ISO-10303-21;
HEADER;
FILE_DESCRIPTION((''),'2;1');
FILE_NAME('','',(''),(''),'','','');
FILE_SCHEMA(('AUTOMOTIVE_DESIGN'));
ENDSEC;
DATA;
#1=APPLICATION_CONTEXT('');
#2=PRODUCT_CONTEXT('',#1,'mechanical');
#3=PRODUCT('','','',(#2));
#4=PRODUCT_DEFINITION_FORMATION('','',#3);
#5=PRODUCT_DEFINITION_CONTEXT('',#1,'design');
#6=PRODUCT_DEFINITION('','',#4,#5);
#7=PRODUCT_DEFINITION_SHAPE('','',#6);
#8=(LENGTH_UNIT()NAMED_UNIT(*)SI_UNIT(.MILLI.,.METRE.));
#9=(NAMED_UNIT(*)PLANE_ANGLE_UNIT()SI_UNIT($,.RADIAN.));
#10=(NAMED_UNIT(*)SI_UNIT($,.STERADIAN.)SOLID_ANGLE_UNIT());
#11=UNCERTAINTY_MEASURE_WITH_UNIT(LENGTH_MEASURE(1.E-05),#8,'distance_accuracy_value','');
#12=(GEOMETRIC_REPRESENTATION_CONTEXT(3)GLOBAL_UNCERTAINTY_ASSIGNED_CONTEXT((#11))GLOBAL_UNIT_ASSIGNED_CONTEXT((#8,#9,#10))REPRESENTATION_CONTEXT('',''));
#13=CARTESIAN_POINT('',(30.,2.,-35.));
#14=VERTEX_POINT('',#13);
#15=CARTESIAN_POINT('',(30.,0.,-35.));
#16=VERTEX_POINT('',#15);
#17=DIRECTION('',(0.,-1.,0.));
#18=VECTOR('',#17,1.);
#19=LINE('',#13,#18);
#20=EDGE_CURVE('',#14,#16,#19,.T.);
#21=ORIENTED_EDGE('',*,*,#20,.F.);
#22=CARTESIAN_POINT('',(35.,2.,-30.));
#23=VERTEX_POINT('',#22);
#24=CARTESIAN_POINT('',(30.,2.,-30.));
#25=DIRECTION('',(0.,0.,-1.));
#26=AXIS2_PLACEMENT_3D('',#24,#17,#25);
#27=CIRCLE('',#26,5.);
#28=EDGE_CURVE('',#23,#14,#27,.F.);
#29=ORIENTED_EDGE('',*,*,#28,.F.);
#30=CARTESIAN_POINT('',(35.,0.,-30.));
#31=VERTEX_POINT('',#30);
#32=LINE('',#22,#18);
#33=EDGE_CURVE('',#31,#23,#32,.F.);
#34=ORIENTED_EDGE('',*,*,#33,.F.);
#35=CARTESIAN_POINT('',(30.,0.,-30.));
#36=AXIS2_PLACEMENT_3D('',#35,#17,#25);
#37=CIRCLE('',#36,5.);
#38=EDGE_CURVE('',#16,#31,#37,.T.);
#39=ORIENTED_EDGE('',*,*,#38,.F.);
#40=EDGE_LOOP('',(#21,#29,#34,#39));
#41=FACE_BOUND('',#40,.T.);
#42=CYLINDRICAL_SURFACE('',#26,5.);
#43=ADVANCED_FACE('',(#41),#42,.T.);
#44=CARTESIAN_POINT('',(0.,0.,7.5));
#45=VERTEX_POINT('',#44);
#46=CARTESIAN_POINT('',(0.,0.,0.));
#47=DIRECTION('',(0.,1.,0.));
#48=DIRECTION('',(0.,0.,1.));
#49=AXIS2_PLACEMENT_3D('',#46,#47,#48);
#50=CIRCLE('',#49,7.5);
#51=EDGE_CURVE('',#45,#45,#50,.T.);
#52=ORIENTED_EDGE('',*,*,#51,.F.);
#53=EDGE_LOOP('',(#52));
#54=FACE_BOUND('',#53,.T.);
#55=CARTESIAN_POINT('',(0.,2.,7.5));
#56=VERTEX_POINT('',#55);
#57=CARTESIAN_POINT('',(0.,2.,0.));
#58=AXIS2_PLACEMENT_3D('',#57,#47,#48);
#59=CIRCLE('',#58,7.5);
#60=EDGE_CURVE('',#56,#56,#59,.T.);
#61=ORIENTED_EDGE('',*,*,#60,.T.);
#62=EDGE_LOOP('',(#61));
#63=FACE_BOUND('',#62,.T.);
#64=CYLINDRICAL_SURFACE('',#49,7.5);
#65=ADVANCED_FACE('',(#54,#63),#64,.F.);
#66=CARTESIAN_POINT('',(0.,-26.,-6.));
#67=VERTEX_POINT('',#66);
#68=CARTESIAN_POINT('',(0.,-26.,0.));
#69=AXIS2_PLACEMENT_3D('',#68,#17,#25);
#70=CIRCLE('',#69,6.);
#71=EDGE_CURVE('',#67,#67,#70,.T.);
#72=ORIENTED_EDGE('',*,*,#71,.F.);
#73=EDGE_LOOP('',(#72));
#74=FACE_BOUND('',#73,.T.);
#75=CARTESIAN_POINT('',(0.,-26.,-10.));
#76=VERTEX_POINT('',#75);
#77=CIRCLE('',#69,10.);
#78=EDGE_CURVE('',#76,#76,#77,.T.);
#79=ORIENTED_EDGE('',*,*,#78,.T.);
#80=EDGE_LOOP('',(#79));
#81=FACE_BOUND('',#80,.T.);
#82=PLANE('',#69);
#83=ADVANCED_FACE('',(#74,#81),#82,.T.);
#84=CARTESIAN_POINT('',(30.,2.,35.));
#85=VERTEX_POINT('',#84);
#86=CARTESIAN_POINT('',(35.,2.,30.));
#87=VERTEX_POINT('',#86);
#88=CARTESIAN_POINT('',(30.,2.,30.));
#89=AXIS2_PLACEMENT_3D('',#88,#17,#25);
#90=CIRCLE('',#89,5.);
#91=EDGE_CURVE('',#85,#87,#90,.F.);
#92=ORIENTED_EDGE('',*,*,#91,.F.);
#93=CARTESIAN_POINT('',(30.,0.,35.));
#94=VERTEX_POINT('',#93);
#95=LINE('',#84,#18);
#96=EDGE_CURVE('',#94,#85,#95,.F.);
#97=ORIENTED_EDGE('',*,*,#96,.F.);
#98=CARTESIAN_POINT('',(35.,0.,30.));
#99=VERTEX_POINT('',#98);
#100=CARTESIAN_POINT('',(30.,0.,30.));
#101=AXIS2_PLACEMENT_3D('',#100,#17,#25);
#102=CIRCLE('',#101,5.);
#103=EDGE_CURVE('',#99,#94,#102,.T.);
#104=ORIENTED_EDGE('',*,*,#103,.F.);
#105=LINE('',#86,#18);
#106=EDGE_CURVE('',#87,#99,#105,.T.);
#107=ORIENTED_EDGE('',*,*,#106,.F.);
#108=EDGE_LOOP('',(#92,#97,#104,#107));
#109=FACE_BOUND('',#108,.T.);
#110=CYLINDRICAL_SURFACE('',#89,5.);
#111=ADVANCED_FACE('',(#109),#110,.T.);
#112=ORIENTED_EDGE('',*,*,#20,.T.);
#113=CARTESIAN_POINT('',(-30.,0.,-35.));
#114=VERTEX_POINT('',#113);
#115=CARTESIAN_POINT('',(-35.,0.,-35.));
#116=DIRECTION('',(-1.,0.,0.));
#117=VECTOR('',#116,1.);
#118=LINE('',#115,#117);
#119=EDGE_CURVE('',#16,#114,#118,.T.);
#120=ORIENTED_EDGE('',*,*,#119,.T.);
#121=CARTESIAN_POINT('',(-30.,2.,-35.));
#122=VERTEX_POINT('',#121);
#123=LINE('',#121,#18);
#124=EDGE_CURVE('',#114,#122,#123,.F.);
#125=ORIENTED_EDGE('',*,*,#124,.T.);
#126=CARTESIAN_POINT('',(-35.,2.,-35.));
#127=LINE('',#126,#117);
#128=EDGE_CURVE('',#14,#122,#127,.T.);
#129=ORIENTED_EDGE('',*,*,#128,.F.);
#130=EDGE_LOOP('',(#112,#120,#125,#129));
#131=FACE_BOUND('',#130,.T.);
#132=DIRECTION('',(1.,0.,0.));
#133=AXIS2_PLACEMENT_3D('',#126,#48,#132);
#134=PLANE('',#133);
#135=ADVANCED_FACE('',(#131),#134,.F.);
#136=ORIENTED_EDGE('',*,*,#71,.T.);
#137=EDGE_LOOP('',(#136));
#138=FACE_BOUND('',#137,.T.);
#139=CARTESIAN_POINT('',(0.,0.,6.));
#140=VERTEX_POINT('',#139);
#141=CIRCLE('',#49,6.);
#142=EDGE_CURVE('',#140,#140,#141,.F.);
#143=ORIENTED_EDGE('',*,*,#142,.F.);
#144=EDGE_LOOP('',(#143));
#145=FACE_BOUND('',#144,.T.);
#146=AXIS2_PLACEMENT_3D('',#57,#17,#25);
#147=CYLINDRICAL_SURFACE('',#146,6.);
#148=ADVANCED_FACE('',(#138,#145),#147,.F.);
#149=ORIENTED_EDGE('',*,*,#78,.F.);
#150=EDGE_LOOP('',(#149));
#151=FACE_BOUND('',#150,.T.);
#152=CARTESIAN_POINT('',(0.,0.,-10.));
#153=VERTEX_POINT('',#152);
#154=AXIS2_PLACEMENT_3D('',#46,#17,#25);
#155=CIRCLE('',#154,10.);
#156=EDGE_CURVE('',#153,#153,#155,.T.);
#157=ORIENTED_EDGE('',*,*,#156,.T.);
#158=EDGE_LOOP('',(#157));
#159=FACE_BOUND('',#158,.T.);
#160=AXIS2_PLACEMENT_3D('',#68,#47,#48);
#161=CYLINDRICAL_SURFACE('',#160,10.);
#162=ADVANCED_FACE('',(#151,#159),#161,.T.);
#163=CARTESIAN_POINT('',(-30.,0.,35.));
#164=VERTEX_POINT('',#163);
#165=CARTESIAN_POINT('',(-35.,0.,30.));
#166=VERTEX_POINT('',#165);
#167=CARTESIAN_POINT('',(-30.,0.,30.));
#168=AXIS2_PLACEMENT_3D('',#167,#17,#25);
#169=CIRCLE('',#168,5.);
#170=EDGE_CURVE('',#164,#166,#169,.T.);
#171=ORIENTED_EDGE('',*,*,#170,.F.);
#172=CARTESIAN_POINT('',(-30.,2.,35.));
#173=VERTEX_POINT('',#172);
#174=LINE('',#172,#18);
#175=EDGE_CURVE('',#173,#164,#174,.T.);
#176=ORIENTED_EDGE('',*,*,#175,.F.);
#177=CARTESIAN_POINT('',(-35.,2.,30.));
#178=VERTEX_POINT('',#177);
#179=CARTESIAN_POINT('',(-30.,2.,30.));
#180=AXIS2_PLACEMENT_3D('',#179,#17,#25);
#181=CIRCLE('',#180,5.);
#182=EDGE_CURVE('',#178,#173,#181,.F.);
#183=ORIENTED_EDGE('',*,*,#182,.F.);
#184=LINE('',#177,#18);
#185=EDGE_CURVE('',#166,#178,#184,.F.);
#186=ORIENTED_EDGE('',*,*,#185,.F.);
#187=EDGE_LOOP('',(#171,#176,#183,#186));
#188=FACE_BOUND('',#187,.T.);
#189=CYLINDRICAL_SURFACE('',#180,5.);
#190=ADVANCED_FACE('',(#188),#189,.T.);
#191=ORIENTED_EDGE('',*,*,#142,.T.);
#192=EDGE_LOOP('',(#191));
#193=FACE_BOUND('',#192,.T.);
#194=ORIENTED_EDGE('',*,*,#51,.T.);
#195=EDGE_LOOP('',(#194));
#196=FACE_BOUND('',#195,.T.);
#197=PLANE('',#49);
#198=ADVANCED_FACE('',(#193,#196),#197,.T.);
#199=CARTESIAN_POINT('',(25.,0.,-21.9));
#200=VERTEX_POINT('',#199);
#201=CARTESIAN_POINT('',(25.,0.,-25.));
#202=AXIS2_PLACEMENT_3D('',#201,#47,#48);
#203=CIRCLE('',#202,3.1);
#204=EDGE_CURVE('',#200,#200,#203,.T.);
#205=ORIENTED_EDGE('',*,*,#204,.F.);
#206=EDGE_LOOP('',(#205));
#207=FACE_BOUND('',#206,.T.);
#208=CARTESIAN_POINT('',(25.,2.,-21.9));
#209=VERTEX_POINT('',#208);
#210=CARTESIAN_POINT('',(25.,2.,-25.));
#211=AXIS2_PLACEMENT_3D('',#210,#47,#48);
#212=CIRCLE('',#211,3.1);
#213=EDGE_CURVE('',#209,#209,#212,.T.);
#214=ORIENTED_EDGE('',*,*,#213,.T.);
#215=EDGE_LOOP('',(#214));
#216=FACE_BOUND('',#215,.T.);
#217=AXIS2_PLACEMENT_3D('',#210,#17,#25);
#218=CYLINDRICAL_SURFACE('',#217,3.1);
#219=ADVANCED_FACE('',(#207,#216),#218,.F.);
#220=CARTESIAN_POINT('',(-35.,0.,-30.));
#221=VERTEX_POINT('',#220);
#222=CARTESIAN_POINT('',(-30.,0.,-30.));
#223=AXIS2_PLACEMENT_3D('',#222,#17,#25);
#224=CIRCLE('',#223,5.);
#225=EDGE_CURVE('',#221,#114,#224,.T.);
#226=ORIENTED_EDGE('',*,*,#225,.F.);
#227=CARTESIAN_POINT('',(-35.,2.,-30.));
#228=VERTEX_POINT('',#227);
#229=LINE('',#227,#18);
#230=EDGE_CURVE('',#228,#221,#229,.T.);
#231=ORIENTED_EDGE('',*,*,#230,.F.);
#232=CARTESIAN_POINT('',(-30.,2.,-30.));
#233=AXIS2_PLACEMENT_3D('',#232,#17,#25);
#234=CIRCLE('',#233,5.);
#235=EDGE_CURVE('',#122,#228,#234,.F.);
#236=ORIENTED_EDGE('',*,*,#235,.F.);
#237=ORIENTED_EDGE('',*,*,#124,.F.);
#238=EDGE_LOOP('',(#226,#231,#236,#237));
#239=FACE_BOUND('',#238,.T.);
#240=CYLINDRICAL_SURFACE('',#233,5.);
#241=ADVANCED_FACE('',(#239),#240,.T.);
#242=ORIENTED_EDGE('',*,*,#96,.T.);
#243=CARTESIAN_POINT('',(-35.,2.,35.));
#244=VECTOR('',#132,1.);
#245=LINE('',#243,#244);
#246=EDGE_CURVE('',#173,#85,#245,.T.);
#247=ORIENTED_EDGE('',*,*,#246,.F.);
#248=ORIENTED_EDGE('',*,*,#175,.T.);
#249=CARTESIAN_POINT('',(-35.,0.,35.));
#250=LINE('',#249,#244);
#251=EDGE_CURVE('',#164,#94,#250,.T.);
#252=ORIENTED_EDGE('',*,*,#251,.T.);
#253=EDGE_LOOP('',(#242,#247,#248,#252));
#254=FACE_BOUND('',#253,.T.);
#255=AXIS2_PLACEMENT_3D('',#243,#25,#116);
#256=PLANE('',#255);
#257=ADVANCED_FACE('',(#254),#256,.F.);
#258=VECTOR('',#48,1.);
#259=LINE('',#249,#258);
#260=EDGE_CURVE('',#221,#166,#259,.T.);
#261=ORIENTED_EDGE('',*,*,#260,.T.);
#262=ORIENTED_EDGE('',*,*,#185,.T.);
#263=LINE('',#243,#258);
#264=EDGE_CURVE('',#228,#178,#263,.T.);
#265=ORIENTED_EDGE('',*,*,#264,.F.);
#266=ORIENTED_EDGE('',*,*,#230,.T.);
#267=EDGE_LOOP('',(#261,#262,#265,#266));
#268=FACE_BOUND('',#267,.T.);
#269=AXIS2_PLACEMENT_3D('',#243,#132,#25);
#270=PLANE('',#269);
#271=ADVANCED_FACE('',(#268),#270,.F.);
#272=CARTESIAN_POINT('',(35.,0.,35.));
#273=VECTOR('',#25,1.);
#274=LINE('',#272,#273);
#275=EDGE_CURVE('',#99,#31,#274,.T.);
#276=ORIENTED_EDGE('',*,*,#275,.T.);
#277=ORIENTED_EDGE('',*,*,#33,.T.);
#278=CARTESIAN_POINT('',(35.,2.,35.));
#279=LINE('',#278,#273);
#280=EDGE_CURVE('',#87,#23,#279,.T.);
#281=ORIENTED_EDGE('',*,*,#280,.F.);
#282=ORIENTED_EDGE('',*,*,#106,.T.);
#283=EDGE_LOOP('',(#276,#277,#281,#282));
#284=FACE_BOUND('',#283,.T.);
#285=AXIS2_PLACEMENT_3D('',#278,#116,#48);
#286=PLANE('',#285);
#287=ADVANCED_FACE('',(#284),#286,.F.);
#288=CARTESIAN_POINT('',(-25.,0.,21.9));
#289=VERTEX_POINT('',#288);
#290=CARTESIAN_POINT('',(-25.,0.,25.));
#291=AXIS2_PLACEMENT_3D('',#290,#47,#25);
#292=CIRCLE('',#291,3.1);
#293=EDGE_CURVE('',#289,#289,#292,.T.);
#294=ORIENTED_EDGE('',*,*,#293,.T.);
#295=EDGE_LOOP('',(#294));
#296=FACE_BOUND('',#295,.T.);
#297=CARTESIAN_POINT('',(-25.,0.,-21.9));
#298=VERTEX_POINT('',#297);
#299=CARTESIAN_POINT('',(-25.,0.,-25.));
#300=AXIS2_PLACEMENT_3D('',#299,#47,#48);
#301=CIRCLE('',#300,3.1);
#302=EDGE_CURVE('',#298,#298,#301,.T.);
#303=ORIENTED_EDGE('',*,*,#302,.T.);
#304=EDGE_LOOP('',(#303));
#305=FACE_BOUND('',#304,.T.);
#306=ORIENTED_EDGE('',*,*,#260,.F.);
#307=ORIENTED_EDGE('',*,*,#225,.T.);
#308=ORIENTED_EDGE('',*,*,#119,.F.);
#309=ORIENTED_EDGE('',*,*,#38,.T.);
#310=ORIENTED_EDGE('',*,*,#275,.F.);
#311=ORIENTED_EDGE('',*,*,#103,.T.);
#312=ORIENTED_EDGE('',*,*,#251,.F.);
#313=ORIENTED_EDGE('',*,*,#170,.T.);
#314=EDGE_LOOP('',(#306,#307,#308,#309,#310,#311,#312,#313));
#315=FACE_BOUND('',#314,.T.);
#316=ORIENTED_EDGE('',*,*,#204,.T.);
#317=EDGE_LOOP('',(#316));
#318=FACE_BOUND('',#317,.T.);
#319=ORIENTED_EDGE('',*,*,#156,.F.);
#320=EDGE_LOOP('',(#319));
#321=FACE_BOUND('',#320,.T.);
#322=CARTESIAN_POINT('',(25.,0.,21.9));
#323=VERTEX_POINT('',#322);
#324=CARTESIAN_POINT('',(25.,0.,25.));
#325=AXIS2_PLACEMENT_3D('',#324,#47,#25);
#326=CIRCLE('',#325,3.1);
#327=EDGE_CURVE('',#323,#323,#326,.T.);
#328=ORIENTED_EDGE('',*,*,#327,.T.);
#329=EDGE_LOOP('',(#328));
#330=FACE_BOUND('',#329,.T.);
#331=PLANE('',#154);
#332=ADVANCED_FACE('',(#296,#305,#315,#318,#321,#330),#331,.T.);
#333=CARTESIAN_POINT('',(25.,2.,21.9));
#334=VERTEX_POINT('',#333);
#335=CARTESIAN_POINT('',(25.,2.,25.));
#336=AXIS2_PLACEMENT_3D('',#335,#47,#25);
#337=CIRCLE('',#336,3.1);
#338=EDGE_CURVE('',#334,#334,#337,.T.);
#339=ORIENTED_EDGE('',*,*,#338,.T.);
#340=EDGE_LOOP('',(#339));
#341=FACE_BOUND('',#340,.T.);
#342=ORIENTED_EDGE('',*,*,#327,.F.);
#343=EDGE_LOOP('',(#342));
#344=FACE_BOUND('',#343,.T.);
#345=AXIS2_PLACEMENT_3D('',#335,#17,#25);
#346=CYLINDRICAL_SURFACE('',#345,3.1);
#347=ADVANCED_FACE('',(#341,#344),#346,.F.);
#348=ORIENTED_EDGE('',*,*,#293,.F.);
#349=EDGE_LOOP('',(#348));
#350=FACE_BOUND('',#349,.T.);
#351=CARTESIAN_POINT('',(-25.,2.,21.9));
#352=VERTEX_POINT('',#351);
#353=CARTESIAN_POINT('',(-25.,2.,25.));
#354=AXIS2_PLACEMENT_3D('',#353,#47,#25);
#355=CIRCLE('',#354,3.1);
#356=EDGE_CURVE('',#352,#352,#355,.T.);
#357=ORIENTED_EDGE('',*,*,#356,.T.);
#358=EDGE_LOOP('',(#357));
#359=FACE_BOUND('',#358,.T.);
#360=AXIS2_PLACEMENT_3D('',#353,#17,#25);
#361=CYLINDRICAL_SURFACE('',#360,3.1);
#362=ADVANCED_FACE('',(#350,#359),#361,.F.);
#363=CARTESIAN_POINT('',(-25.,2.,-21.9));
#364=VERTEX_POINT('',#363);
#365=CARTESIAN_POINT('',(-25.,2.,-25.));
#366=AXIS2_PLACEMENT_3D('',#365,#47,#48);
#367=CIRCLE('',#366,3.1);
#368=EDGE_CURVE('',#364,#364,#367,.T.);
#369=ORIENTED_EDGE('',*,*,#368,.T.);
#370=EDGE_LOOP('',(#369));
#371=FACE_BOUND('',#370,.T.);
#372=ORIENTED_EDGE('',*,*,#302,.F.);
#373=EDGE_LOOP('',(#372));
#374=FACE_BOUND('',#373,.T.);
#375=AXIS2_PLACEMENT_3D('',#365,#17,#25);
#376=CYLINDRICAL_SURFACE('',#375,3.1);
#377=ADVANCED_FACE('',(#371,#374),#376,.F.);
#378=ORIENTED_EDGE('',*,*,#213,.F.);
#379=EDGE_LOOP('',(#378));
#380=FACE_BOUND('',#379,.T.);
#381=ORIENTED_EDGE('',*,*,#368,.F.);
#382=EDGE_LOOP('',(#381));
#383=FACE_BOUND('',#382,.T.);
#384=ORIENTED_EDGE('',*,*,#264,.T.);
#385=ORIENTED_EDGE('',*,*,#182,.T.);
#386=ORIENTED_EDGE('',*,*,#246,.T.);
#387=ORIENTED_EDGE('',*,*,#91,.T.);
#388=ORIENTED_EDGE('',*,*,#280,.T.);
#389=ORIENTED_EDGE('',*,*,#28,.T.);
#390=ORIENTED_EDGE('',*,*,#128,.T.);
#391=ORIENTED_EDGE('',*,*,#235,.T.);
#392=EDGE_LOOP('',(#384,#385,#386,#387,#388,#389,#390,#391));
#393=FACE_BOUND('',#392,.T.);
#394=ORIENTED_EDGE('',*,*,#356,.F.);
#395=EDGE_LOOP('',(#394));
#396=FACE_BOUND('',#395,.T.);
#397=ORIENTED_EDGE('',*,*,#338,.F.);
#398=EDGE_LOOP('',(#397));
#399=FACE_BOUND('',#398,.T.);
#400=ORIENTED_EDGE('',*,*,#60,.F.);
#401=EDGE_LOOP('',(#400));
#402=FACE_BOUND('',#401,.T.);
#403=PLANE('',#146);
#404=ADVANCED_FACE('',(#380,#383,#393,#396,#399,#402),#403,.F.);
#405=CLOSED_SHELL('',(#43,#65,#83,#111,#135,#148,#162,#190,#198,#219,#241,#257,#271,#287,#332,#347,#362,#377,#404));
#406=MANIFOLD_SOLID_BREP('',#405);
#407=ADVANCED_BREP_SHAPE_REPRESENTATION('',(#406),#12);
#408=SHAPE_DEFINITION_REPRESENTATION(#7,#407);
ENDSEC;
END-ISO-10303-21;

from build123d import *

# Parameters (mm, degrees)
SKETCH1_W           = 70
SKETCH1_H           = 70
SKETCH1_R           = 3.1
BOSS_EXTRUDE1_DEPTH = 2
FILLET1_R           = 5
SKETCH2_R           = 10
BOSS_EXTRUDE2_DEPTH = 26
SKETCH5_R           = 6
CUT_EXTRUDE1_DEPTH  = 29
SKETCH6_R           = 7.5
CUT_EXTRUDE2_DEPTH  = 2


with BuildPart() as part:
    # Sketch1 → Boss-Extrude1 (new body)
    with BuildSketch(Plane(origin=(0, 0, 0), x_dir=(1, 0, 0), z_dir=(0, 1, 0))):
        Rectangle(SKETCH1_W, SKETCH1_H)
        with Locations((25, 25)):
            Circle(SKETCH1_R, mode=Mode.SUBTRACT)
        with Locations((-25, -25)):
            Circle(SKETCH1_R, mode=Mode.SUBTRACT)
        with Locations((-25, 25)):
            Circle(SKETCH1_R, mode=Mode.SUBTRACT)
        with Locations((25, -25)):
            Circle(SKETCH1_R, mode=Mode.SUBTRACT)
    extrude(amount=BOSS_EXTRUDE1_DEPTH)

    # Fillet1
    fillet1_edges = [part.edges().sort_by_distance(p)[0] for p in [
        (35, 1, 35),
        (-35, 1, 35),
        (-35, 1, -35),
        (35, 1, -35),
    ]]
    fillet(fillet1_edges, radius=FILLET1_R)

    # Sketch2 → Boss-Extrude2 (add)
    with BuildSketch(Plane.XZ):
        Circle(SKETCH2_R)
    extrude(amount=BOSS_EXTRUDE2_DEPTH)

    # Sketch5 → Cut-Extrude1 (cut, through all)
    with BuildSketch(Plane.XZ.offset(26)):
        Circle(SKETCH5_R)
    extrude(amount=-CUT_EXTRUDE1_DEPTH, mode=Mode.SUBTRACT)

    # Sketch6 → Cut-Extrude2 (cut)
    with BuildSketch(Plane(origin=(0, 2, 0), x_dir=(1, 0, 0), z_dir=(0, 1, 0))):
        Circle(SKETCH6_R)
    extrude(amount=-CUT_EXTRUDE2_DEPTH, mode=Mode.SUBTRACT)


solid = part.part
